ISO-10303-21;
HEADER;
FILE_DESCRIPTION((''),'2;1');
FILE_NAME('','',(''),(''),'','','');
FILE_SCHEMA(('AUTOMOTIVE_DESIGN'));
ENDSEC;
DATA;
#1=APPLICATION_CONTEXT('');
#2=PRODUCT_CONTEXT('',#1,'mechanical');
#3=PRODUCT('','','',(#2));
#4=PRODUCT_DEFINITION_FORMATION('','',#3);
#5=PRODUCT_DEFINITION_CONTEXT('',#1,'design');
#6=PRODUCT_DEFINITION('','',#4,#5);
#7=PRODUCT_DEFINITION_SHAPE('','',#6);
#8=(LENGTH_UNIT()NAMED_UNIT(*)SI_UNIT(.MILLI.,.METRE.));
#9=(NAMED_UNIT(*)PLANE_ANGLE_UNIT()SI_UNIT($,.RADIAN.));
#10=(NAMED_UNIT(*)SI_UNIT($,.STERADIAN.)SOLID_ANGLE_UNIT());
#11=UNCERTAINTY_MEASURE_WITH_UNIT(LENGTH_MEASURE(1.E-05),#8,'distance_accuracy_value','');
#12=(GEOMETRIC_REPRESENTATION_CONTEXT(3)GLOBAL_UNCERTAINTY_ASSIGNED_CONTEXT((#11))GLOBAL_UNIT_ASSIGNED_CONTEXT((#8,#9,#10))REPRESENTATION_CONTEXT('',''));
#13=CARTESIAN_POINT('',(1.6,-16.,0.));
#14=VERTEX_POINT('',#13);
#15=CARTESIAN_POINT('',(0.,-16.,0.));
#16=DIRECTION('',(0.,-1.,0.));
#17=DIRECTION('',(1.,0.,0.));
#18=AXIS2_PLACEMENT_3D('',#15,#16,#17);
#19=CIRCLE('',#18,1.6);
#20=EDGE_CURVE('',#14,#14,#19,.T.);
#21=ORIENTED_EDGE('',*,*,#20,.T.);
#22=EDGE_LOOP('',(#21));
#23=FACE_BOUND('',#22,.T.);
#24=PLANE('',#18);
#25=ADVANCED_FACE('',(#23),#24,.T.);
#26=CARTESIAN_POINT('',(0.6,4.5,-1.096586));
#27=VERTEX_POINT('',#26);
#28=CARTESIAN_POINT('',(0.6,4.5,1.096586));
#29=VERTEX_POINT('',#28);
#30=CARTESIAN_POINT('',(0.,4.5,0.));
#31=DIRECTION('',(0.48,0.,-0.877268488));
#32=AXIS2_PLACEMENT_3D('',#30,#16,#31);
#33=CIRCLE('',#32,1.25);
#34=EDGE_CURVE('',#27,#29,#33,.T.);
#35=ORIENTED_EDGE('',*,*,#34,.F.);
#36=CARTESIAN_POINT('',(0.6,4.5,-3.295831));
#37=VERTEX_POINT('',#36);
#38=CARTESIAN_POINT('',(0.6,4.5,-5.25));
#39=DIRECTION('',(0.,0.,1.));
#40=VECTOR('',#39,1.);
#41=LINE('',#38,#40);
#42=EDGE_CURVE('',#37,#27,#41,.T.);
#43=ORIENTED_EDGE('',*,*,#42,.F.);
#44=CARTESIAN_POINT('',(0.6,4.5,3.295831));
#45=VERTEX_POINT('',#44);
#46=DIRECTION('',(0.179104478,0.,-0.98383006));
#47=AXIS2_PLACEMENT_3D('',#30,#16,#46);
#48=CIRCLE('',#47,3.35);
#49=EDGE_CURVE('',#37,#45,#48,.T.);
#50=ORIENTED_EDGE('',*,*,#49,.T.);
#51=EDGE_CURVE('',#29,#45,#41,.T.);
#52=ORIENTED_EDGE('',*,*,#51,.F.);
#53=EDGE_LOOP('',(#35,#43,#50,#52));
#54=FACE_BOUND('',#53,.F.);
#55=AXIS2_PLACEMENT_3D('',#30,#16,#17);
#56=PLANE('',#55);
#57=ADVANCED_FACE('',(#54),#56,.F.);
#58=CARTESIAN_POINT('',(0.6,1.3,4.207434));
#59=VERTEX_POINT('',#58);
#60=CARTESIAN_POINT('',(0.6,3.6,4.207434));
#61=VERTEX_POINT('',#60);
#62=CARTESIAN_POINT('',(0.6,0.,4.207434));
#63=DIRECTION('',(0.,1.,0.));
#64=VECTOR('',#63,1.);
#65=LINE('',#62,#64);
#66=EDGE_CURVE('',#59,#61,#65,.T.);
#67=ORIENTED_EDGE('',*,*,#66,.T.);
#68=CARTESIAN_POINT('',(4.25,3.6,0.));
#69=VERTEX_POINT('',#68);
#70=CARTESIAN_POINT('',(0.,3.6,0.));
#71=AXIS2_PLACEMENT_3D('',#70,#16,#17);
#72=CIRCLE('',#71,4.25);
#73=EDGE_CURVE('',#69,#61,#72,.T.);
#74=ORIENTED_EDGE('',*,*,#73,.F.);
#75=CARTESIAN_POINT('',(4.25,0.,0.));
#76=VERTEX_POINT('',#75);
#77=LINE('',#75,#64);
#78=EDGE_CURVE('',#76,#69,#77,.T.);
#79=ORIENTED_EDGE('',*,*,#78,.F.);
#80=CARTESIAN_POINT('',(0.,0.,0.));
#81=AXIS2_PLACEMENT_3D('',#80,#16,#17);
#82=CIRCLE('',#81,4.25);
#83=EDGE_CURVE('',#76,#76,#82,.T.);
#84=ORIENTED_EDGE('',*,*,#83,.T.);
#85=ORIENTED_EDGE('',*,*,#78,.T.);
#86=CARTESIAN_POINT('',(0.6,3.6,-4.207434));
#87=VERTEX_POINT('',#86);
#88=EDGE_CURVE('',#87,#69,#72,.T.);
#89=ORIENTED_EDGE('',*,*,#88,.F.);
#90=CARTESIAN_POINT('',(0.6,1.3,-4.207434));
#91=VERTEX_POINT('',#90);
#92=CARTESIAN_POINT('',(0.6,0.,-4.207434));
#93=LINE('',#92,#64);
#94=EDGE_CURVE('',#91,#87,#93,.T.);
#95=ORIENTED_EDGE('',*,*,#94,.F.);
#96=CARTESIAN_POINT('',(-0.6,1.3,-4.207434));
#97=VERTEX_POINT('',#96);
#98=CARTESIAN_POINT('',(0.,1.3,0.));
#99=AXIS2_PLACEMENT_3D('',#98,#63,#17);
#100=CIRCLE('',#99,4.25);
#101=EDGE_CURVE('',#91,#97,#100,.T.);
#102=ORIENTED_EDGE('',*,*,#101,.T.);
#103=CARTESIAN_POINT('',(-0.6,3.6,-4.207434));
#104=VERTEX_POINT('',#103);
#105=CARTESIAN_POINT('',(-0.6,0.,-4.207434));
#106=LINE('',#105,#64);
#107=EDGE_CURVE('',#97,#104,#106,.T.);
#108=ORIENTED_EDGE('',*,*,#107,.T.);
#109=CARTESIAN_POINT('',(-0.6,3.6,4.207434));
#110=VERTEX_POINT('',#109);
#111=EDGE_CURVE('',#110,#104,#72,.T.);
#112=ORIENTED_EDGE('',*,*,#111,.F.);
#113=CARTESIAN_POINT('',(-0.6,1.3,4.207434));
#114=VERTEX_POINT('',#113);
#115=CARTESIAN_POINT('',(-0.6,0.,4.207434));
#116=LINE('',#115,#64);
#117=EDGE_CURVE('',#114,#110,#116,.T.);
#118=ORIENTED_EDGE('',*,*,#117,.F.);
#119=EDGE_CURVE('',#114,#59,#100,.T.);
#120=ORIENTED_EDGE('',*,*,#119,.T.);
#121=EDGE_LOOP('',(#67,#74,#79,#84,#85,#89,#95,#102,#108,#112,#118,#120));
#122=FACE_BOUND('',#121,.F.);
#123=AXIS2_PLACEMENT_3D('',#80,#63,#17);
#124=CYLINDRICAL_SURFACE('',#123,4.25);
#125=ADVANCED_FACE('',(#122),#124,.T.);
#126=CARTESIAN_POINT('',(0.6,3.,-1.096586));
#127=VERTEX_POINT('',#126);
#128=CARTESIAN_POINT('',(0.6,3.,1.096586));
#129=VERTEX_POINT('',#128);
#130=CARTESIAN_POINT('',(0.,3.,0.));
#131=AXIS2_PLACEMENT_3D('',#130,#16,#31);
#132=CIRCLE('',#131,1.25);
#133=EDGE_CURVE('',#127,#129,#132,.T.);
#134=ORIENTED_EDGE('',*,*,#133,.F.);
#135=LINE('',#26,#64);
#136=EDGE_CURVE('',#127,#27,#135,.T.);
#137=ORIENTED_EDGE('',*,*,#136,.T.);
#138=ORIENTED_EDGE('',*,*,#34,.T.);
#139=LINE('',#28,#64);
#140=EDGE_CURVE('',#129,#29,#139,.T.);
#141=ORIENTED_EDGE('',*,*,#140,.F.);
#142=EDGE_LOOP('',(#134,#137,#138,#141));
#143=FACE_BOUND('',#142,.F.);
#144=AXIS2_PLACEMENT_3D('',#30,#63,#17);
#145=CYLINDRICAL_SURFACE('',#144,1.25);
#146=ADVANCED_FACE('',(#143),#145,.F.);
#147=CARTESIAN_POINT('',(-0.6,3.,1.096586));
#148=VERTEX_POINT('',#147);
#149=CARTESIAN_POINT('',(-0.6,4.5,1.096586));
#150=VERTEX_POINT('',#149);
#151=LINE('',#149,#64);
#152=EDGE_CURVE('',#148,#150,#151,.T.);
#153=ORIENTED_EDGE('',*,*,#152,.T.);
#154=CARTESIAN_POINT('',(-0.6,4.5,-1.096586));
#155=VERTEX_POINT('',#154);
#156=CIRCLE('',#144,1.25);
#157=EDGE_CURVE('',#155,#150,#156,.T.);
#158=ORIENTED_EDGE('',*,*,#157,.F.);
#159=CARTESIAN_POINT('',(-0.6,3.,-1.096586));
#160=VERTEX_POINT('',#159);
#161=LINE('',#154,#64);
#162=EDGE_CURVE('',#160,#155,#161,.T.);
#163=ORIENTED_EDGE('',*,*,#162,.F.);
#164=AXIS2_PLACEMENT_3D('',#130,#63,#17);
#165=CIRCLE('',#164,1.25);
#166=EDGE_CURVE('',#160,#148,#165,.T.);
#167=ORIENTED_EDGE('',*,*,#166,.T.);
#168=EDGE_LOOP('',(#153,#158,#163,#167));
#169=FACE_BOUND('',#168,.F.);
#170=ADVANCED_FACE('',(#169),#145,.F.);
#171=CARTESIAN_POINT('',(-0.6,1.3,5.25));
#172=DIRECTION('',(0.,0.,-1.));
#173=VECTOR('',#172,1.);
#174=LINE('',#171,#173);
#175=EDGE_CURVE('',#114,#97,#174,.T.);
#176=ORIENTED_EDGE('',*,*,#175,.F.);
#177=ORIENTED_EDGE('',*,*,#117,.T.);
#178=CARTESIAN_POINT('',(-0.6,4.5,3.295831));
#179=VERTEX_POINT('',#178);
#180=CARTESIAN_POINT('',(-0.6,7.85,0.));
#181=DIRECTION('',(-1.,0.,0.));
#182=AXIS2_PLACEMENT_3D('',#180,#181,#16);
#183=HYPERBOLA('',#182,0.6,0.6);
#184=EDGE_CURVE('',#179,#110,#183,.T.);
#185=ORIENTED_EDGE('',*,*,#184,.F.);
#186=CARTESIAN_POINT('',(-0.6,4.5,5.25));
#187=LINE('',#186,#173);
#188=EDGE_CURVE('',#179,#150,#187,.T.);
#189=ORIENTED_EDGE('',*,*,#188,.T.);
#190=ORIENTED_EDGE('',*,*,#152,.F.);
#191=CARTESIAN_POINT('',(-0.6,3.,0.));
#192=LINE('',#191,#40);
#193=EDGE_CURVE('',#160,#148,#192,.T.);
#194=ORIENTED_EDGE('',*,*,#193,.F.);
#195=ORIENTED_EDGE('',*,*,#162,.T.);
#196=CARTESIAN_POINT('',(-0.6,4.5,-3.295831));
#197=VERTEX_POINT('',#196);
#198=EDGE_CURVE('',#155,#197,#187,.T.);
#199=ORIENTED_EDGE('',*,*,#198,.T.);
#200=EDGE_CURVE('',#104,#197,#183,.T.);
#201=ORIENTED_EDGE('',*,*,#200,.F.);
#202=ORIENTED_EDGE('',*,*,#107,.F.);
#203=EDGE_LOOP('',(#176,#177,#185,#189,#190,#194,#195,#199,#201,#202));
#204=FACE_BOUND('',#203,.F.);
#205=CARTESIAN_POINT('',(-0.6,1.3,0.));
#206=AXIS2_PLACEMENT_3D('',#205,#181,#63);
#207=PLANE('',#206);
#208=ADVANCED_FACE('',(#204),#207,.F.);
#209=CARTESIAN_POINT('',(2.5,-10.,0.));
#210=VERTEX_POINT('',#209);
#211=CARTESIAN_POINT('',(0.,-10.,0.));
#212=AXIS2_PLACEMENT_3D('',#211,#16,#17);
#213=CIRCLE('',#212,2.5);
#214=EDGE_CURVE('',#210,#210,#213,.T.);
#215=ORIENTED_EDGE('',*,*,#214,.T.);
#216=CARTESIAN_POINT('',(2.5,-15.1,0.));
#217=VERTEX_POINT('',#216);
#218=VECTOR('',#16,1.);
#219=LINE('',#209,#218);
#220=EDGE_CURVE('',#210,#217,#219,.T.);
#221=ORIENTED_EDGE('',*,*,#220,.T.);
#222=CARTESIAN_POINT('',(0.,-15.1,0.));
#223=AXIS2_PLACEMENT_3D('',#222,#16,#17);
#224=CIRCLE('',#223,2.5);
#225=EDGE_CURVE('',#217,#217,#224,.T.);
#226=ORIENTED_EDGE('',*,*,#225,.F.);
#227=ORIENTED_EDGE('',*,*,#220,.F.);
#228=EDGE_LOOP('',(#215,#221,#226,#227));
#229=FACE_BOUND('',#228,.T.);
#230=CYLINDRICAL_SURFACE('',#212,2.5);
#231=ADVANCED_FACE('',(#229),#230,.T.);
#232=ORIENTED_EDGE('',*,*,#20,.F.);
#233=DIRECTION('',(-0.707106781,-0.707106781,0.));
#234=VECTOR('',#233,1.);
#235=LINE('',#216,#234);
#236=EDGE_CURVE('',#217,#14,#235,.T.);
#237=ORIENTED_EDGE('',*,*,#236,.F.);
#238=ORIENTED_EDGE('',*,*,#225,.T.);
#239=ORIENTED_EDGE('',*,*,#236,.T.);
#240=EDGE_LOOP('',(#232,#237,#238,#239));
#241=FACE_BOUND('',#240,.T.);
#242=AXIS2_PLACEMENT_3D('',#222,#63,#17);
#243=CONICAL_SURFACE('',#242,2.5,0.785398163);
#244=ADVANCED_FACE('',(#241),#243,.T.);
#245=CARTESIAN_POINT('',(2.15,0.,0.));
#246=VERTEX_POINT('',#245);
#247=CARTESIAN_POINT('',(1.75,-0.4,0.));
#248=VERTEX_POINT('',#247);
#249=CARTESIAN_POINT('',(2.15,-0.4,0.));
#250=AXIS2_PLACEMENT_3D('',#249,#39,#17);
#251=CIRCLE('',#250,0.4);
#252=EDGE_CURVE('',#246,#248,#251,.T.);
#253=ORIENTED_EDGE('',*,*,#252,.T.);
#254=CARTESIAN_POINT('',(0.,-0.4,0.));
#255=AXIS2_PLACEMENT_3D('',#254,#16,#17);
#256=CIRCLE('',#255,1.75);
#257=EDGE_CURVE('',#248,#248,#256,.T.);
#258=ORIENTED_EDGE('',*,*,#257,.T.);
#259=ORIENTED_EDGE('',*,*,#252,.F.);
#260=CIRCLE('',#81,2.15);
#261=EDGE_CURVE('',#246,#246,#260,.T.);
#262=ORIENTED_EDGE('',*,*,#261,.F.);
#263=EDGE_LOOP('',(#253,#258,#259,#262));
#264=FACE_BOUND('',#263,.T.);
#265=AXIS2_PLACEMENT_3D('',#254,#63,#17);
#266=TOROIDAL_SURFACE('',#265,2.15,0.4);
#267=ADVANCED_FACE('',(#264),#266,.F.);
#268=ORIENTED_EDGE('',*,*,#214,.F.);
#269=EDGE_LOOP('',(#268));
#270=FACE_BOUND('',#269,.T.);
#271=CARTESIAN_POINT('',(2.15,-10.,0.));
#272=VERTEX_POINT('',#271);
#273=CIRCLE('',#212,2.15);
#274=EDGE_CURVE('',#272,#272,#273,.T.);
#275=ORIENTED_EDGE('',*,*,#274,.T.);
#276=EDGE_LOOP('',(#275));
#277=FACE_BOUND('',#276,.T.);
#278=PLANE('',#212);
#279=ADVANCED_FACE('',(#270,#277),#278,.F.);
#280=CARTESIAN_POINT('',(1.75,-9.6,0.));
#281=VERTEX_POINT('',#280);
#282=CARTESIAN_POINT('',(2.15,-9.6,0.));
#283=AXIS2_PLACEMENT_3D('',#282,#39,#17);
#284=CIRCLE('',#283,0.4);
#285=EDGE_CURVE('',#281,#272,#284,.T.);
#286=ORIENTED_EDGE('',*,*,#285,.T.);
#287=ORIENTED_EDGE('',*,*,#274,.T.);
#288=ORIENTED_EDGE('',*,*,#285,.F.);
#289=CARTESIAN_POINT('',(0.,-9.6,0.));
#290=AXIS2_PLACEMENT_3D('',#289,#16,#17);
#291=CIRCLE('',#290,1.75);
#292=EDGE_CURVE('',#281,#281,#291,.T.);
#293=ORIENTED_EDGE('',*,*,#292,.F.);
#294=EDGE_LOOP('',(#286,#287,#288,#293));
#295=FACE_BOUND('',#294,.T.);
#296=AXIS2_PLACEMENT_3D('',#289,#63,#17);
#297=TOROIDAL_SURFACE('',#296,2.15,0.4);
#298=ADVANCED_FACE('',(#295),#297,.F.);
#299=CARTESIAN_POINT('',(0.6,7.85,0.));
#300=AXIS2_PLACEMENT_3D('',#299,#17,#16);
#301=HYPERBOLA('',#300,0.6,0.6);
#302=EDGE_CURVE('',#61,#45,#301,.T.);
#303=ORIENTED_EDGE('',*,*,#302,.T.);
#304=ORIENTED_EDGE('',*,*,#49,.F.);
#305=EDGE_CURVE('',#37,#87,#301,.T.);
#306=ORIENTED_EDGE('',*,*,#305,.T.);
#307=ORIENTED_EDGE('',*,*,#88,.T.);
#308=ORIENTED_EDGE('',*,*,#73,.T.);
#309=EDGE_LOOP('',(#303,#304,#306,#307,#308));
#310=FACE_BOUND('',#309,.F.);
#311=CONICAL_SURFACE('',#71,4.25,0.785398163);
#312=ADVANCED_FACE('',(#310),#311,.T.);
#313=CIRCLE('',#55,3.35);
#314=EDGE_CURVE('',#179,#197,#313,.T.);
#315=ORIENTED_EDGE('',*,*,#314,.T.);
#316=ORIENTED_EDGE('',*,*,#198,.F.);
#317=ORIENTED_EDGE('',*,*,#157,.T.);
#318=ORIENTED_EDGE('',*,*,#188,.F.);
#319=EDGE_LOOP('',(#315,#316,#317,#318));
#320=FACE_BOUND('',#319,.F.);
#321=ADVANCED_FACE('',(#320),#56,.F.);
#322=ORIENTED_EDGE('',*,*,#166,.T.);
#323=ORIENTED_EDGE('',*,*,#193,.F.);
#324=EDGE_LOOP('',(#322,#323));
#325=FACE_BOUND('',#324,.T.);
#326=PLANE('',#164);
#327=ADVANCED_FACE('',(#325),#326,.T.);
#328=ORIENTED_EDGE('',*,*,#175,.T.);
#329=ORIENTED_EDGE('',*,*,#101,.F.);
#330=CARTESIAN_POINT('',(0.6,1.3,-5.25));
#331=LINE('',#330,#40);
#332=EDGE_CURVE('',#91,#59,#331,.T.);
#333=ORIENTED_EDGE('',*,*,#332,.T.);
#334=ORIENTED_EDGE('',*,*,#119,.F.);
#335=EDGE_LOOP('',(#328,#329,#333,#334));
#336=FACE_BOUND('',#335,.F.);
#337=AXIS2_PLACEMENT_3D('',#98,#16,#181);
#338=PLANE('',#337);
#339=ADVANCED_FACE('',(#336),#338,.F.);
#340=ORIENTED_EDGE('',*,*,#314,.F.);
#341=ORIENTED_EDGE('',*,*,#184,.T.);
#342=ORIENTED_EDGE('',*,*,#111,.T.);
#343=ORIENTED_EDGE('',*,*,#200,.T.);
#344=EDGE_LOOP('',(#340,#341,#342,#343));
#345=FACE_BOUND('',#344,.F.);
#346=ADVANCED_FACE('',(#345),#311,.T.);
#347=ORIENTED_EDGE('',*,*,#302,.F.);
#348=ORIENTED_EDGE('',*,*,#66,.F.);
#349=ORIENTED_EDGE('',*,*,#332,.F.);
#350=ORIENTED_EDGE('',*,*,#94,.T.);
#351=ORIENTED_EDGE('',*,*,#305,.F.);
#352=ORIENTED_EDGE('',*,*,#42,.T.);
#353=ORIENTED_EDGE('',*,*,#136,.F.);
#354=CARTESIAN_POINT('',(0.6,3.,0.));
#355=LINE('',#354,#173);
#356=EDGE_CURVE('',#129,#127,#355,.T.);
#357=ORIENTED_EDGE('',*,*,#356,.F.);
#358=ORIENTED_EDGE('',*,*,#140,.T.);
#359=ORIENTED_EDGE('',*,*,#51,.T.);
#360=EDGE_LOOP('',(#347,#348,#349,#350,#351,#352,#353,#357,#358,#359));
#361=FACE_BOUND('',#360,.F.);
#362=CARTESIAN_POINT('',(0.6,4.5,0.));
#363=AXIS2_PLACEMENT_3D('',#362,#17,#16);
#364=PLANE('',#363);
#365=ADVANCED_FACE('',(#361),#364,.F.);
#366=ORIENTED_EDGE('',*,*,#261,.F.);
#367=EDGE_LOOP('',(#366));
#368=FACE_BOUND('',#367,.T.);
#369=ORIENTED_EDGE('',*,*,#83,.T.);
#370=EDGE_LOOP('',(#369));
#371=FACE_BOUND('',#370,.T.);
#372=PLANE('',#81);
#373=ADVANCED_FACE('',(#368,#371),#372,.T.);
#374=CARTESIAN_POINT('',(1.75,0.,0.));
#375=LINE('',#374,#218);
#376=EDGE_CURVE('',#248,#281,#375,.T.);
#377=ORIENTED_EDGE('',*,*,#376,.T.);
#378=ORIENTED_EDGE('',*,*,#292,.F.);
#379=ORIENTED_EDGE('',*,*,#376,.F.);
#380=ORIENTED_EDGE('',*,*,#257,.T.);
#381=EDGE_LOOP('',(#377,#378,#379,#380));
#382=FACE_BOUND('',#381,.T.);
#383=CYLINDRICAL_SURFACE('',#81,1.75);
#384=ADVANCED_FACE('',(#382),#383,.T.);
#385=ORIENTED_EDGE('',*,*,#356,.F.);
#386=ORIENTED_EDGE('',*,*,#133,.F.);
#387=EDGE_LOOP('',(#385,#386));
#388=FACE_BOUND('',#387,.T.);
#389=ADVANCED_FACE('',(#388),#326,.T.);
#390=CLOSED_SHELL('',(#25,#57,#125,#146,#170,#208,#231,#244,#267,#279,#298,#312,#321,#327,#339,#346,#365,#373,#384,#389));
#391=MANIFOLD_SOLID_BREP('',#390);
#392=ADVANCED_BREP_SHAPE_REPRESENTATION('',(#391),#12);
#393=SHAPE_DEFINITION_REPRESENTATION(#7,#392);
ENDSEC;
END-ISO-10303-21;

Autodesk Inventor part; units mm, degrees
ref_plane "YZ Plane" through (0, 0, 0) normal (1, 0, 0) x (0, 1, 0)
ref_plane "XZ Plane" through (0, 0, 0) normal (0, 1, 0) x (-1, 0, 0)
ref_plane "XY Plane" through (0, 0, 0) normal (0, 0, 1) x (1, 0, 0)
sketch "Sketch1" plane through (0, 0, 0) normal (0, 0, 1) x (1, 0, 0)
  line L0 (4.25, 0) -> (4.25, 4.5)
  line L1 (4.25, 4.5) -> (0, 4.5)
  line L2 (4.25, 0) -> (1.75, 0)
  line L3 (1.75, 0) -> (1.75, -10)
  line L4 (1.75, -10) -> (2.5, -10)
  line L5 (2.5, -10) -> (2.5, -16)
  line L6 (2.5, -16) -> (0, -16)
  line L7 (0, 4.5) -> (0, -16)
  point P0 (0, 0)
  dimension "d0" = 8.5
  dimension "d2" = 3.5
  dimension "d3" = 5
  dimension "d4" = 4.5
  dimension "d5" = 6
  dimension "d6" = 16
revolve "Вращение1" add sketch "Sketch1" angle 360 about axis through (0, 4.5, 0) along (0, -1, 0)
sketch "Sketch2" plane through (0, 4.5, 0) normal (0, 1, 0) x (1, 0, 0)
  circle A0 centre (0, 0) radius 4.25 construction
  circle A1 centre (0, 0) radius 1.25
  dimension "d31" = 2.5
extrude "Выдавливание1" cut sketch "Sketch2" against normal blind 1.5
chamfer "Фаска1" distance 0.9 angle 45 1 edges at (-4.25, 4.5, 0)
sketch "Sketch3" plane through (0, 0, 0) normal (0, 0, 1) x (1, 0, 0)
  line L0 (0, 0) -> (0, 4.5)
  line L1 (-2.3552, 0) -> (2.3552, 0) construction
  line L2 (-4.25, 4.5) -> (4.25, 4.5) construction
  line L3 (-0.6, 4.5) -> (0.6, 4.5)
  line L4 (0.6, 4.5) -> (0.6, 1.3)
  line L5 (0.6, 1.3) -> (-0.6, 1.3)
  line L6 (-0.6, 1.3) -> (-0.6, 4.5)
  dimension "d8" = 1.3
  dimension "d9" = 1.2
extrude "Выдавливание2" cut sketch "Sketch3" along normal through all both and the other way through all
fillet "Сопряжение1" radius 0.4 2 edges at (-1.75, 0, 0) (-1.75, -10, 0)
thread "Резьба1" size "M5x0.8" class "6g" standard "ISO Metric profile" length 6
chamfer "Фаска2" distance 0.9 angle 45 1 edges at (-2.5, -16, 0)
equation "\"d31\" = d3_"
equation "\"d32\" = h3"
equation "\"d21\" = C1"
equation "\"d8\" = h2"
equation "\"d9\" = n"
equation "\"d12\" = R"
equation "\"d13\" = b"
equation "\"d15\" = C1"
equation "\"d0\" = D"
equation "\"d2\" = d1"
equation "\"d3\" = d_"
equation "\"d4\" = k1"
equation "\"d5\" = b"
equation "\"d6\" = l_"
equation "\"D\" = 8.5"
equation "\"d_\" = 5"
equation "\"l_\" = 16"
equation "\"b\" = 6"
equation "\"d1\" = 3.5"
equation "\"R\" = 0.4"
equation "\"C1\" = 0.9"
equation "\"h2\" = 1.3"
equation "\"n\" = 1.2"
equation "\"h3\" = 1.5"
equation "\"k1\" = 4.5"
equation "\"d3_\" = 2.5"
properties part number "Винт 3 M5-6gx16 ГОСТ 10336-80" material "Сталь, мягкая"
